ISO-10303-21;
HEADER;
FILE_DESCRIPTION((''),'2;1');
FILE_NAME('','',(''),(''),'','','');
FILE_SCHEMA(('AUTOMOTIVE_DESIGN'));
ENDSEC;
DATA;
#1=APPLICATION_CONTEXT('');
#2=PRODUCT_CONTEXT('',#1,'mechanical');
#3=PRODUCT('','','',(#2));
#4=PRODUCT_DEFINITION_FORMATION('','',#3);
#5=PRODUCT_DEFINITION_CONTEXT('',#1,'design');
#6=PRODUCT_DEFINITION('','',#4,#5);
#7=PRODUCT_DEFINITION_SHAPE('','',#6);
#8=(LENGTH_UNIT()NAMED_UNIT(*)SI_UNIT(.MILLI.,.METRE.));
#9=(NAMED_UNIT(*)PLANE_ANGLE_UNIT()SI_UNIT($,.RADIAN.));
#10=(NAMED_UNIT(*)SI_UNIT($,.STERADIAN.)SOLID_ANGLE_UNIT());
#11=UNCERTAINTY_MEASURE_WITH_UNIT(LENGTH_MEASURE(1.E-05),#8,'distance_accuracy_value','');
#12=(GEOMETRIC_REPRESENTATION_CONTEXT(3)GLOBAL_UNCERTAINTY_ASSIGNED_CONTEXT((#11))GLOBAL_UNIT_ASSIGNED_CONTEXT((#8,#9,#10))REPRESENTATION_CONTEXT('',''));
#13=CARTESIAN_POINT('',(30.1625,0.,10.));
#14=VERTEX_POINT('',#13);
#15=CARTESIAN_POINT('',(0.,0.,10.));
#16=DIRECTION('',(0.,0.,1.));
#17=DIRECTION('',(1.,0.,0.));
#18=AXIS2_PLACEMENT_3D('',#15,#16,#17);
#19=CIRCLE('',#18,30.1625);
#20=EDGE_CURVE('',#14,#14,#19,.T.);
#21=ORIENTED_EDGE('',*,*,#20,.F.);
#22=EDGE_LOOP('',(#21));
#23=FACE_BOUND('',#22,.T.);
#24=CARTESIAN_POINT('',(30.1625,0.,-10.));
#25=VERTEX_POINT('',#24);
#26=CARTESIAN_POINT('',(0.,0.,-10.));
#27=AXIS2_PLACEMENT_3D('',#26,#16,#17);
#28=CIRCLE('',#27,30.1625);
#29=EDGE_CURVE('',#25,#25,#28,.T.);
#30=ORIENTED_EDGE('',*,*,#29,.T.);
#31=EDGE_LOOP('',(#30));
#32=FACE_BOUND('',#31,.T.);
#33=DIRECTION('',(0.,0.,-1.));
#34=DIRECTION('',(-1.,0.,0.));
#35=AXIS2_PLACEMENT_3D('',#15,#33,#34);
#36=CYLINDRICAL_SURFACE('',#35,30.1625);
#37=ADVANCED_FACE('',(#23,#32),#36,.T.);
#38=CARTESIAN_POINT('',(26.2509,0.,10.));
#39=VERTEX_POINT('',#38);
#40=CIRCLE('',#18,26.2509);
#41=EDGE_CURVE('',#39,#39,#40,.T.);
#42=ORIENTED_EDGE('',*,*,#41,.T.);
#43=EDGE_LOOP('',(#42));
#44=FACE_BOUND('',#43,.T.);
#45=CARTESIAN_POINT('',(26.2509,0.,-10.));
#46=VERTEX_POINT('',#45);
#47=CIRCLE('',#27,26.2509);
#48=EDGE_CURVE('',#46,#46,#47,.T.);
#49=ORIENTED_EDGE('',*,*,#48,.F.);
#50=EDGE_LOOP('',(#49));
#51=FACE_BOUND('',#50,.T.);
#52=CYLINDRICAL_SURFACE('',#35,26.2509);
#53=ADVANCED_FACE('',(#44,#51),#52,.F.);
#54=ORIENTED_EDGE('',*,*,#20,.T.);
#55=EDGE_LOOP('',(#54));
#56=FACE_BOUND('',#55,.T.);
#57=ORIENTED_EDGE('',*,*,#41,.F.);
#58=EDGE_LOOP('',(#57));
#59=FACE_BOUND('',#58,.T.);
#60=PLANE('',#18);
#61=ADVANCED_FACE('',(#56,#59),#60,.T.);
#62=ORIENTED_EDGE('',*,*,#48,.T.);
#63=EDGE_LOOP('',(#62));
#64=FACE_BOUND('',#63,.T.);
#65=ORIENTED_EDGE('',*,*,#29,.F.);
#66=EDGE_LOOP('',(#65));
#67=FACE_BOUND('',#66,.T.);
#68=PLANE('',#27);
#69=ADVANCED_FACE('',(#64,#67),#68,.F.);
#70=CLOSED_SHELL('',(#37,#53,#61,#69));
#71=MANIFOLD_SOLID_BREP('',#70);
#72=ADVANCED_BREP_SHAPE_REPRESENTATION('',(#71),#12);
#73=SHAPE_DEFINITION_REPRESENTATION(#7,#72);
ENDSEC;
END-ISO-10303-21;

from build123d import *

# Parameters (mm, degrees)
SKETCH1_R           = 30.1625
SKETCH1_R_2         = 26.2509
EXTRUDE_THIN1_DEPTH = 10


with BuildPart() as part:
    # Sketch1 → Extrude-Thin1 (new body, symmetric)
    with BuildSketch(Plane.XY):
        Circle(SKETCH1_R)
        Circle(SKETCH1_R_2, mode=Mode.SUBTRACT)
    extrude(amount=EXTRUDE_THIN1_DEPTH, both=True)


solid = part.part
